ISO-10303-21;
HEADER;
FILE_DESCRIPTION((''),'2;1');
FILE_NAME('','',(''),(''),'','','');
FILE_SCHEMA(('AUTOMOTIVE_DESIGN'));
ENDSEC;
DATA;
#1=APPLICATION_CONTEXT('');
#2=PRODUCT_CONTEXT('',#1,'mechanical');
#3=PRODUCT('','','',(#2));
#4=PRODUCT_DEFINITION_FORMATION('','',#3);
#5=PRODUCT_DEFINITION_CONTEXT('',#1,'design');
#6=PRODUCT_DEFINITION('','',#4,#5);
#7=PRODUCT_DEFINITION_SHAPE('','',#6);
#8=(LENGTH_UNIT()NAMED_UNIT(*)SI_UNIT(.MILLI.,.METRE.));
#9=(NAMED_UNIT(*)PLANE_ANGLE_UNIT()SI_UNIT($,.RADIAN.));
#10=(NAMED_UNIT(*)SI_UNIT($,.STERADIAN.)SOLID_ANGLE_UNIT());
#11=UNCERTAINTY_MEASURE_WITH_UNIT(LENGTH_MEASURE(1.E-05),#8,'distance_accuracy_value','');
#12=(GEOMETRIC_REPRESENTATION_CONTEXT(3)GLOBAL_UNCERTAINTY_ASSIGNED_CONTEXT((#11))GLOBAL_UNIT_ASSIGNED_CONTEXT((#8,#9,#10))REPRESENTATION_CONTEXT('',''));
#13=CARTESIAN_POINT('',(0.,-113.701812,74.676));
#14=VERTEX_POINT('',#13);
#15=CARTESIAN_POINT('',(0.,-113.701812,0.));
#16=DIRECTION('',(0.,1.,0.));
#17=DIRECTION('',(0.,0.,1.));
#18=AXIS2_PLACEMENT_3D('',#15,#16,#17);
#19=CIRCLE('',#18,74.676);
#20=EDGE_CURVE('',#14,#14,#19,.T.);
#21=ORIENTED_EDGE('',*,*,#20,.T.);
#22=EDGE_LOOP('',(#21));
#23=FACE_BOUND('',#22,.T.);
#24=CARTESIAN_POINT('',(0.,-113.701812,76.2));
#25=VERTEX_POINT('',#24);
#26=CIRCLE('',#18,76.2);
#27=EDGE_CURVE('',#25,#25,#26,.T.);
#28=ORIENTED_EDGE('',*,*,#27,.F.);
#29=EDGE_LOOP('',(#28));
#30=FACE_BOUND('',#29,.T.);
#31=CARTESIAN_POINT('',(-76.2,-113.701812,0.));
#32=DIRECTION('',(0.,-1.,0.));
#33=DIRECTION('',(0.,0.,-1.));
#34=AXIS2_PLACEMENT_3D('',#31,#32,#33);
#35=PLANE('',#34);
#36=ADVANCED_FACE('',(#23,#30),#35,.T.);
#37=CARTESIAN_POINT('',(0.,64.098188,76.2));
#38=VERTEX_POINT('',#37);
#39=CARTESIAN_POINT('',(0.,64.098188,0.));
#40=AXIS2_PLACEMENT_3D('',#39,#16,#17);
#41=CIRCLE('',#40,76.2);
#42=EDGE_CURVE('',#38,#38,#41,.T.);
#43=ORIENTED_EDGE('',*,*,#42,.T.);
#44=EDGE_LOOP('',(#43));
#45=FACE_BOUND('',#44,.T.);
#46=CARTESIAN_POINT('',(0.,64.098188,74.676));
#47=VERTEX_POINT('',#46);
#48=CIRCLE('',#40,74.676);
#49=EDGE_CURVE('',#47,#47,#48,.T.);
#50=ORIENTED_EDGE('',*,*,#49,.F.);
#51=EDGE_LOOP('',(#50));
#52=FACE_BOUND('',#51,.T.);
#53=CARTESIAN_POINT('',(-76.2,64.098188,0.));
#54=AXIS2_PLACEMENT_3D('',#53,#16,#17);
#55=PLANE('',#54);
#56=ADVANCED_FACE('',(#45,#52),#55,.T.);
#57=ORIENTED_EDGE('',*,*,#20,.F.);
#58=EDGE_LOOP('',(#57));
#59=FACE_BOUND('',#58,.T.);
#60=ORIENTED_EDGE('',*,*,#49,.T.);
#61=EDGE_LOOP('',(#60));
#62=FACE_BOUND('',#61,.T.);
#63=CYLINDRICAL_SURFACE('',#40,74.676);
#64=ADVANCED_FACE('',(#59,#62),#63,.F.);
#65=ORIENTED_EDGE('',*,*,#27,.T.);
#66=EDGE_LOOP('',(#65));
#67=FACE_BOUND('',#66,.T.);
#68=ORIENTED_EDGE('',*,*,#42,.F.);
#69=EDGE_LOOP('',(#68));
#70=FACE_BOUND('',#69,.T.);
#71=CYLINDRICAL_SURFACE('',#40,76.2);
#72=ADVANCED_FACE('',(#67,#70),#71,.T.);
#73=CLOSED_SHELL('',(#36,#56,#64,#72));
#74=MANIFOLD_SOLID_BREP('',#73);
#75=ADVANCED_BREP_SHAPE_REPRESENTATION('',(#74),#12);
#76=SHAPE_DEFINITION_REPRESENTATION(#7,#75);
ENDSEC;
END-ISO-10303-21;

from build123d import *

# Parameters (mm, degrees)
SKETCH2_W = 1.524
SKETCH2_H = 177.8


with BuildPart() as part:
    # Sketch2 → Revolve1 (revolve)
    with BuildSketch(Plane.XY):
        with Locations((-75.438, -24.801811594)):
            Rectangle(SKETCH2_W, SKETCH2_H)
    revolve(axis=Axis((0, 64.098188406, 0), (0, -1, 0)))


solid = part.part
